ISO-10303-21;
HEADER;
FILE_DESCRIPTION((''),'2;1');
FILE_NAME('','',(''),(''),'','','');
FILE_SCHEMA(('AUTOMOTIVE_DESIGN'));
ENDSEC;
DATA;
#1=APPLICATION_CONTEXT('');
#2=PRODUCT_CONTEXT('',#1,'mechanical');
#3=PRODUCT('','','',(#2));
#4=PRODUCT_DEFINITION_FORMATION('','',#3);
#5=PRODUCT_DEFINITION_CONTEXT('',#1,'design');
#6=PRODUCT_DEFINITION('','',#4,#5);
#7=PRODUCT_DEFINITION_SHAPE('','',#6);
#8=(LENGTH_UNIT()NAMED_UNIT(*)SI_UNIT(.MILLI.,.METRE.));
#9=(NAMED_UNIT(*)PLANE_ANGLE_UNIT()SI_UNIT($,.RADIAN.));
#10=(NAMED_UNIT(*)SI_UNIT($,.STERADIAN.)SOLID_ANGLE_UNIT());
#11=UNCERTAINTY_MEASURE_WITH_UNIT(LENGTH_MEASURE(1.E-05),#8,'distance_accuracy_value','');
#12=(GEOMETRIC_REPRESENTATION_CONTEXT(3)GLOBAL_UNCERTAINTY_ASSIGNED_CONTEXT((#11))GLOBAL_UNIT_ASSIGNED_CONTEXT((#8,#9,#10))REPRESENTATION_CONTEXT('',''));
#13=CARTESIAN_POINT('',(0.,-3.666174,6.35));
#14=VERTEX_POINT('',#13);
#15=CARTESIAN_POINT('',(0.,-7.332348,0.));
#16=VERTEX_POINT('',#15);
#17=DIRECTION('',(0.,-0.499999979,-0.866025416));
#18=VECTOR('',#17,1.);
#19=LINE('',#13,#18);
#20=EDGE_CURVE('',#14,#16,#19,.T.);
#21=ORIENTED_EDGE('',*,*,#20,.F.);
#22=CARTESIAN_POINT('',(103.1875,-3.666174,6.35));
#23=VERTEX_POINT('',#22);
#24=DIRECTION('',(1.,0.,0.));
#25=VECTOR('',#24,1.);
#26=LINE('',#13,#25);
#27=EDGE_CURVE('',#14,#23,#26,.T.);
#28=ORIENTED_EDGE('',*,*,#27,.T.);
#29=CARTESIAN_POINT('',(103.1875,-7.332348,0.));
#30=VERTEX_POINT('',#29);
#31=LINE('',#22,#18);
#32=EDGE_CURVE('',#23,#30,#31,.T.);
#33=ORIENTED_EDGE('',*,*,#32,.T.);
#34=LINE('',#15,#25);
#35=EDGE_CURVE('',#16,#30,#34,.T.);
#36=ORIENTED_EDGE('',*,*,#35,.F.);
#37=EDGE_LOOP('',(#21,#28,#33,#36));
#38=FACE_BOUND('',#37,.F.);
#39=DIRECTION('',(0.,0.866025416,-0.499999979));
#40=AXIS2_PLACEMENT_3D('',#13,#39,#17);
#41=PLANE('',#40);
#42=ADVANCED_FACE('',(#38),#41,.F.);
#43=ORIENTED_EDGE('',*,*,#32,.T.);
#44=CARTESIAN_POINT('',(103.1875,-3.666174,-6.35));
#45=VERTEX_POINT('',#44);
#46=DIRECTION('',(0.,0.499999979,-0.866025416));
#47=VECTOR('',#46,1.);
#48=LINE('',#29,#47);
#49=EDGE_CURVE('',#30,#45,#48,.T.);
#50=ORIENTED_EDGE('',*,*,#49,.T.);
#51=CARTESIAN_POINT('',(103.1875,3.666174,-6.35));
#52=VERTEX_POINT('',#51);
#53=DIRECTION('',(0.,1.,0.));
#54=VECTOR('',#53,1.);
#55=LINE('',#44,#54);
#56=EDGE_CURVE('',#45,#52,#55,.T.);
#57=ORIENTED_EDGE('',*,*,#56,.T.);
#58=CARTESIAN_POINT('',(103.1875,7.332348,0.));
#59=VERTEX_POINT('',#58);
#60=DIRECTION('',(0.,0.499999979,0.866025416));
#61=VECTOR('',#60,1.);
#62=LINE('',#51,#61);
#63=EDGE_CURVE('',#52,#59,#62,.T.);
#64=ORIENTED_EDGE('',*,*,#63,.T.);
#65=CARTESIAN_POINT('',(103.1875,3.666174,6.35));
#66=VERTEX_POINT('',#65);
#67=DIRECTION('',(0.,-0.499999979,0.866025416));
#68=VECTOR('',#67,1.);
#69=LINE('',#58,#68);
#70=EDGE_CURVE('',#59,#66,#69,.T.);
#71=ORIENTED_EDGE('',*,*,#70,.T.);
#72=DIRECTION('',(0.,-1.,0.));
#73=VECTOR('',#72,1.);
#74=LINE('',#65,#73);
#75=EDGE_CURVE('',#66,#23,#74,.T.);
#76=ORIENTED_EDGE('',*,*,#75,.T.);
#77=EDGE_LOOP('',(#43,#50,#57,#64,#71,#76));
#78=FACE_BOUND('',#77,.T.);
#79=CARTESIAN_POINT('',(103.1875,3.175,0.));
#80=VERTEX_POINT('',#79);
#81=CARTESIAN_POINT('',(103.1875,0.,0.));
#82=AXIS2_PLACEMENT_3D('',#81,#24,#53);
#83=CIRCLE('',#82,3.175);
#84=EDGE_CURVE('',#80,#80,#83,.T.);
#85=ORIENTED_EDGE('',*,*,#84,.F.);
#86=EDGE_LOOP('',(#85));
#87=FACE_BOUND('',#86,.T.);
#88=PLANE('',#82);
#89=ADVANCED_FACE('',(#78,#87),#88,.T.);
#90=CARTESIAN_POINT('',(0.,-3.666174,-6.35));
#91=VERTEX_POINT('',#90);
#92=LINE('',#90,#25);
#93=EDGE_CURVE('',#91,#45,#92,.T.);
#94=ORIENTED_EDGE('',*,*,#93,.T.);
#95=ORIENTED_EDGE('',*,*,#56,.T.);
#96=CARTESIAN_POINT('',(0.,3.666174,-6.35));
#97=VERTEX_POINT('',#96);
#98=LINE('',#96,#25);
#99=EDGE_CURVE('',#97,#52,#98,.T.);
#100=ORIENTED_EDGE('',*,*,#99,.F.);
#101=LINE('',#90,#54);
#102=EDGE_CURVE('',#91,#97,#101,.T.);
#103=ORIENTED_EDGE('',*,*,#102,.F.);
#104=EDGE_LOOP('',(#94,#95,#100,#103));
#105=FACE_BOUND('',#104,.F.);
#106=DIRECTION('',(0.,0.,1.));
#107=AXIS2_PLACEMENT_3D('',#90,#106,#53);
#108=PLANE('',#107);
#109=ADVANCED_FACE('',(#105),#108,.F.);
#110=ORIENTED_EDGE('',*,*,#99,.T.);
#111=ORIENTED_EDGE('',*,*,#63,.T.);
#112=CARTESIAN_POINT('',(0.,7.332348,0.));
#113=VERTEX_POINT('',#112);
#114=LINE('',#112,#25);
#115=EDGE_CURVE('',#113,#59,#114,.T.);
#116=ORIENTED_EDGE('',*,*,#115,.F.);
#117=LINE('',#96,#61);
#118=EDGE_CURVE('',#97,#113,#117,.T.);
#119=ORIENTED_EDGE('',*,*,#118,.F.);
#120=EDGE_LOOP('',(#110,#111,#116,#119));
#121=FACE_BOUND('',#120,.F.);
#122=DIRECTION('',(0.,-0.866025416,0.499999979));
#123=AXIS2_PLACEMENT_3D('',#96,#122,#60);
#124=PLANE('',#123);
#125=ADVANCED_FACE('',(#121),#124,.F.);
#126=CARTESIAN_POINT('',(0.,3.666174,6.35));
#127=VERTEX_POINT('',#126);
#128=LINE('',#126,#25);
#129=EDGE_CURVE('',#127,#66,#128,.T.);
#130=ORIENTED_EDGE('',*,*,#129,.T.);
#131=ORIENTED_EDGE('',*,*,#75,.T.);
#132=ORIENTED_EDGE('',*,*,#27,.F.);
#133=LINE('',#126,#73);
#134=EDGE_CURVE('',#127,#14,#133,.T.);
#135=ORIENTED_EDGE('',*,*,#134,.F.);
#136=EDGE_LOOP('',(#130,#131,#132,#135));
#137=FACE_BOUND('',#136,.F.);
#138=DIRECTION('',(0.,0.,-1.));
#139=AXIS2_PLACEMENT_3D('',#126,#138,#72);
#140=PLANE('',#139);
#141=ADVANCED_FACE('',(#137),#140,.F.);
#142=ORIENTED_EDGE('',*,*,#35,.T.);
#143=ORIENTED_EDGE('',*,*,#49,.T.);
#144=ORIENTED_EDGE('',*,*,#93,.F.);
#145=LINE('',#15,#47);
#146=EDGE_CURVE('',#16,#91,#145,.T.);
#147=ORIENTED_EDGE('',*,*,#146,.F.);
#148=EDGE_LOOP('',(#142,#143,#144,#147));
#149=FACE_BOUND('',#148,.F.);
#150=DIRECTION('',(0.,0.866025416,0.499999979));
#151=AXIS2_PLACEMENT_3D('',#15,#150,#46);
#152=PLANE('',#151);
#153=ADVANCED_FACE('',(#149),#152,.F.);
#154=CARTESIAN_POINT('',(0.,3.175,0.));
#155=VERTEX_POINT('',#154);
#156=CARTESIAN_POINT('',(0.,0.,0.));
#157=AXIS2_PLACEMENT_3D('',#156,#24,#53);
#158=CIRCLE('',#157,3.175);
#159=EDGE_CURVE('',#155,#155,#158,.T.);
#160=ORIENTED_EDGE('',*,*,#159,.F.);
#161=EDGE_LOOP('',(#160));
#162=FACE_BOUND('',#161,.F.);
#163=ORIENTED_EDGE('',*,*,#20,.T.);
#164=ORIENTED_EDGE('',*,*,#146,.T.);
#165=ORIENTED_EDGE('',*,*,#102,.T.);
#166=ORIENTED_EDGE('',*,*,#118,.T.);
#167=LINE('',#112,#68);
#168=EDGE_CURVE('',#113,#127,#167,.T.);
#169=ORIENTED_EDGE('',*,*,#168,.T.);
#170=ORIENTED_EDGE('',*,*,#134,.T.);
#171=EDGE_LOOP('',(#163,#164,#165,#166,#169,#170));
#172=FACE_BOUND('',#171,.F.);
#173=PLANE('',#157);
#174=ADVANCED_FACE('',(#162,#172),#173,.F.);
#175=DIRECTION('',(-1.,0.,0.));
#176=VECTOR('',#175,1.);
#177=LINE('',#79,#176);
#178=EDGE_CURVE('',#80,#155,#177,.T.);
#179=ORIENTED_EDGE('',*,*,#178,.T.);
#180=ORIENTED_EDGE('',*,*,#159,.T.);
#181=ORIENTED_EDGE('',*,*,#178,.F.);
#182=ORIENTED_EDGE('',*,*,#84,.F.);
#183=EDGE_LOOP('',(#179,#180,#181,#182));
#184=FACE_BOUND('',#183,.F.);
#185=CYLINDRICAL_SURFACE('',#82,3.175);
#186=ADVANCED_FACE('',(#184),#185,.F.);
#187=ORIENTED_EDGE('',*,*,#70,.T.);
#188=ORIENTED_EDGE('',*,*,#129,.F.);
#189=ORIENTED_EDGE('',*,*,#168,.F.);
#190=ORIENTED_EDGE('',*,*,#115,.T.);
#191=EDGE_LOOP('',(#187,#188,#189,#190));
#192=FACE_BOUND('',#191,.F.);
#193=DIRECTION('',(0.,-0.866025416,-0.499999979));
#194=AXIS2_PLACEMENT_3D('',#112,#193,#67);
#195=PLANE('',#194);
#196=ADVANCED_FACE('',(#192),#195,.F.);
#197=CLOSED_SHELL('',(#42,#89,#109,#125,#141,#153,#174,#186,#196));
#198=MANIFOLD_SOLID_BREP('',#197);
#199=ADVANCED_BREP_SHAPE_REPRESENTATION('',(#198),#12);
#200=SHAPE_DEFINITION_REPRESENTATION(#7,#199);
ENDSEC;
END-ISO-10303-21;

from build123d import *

# Parameters (mm, degrees)
F1_DEPTH = 103.1875
F2_R     = 3.175
F3_DEPTH = 103.1885


with BuildPart() as f1:
    # F0 (on Right) → F1 (new body)
    with BuildSketch(Plane.YZ):
        Polygon((3.666174, 6.35), (-3.666174, 6.35), (-7.332348, 0), (-3.666174, -6.35), (3.666174, -6.35), (7.332348, 0), align=None)
    extrude(amount=F1_DEPTH)

    # F2 (on face) → F3 (cut, through all)
    with BuildSketch(Plane.YZ.offset(103.1875)):
        Circle(F2_R)
    extrude(amount=-F3_DEPTH, mode=Mode.SUBTRACT)


solid = f1.part
